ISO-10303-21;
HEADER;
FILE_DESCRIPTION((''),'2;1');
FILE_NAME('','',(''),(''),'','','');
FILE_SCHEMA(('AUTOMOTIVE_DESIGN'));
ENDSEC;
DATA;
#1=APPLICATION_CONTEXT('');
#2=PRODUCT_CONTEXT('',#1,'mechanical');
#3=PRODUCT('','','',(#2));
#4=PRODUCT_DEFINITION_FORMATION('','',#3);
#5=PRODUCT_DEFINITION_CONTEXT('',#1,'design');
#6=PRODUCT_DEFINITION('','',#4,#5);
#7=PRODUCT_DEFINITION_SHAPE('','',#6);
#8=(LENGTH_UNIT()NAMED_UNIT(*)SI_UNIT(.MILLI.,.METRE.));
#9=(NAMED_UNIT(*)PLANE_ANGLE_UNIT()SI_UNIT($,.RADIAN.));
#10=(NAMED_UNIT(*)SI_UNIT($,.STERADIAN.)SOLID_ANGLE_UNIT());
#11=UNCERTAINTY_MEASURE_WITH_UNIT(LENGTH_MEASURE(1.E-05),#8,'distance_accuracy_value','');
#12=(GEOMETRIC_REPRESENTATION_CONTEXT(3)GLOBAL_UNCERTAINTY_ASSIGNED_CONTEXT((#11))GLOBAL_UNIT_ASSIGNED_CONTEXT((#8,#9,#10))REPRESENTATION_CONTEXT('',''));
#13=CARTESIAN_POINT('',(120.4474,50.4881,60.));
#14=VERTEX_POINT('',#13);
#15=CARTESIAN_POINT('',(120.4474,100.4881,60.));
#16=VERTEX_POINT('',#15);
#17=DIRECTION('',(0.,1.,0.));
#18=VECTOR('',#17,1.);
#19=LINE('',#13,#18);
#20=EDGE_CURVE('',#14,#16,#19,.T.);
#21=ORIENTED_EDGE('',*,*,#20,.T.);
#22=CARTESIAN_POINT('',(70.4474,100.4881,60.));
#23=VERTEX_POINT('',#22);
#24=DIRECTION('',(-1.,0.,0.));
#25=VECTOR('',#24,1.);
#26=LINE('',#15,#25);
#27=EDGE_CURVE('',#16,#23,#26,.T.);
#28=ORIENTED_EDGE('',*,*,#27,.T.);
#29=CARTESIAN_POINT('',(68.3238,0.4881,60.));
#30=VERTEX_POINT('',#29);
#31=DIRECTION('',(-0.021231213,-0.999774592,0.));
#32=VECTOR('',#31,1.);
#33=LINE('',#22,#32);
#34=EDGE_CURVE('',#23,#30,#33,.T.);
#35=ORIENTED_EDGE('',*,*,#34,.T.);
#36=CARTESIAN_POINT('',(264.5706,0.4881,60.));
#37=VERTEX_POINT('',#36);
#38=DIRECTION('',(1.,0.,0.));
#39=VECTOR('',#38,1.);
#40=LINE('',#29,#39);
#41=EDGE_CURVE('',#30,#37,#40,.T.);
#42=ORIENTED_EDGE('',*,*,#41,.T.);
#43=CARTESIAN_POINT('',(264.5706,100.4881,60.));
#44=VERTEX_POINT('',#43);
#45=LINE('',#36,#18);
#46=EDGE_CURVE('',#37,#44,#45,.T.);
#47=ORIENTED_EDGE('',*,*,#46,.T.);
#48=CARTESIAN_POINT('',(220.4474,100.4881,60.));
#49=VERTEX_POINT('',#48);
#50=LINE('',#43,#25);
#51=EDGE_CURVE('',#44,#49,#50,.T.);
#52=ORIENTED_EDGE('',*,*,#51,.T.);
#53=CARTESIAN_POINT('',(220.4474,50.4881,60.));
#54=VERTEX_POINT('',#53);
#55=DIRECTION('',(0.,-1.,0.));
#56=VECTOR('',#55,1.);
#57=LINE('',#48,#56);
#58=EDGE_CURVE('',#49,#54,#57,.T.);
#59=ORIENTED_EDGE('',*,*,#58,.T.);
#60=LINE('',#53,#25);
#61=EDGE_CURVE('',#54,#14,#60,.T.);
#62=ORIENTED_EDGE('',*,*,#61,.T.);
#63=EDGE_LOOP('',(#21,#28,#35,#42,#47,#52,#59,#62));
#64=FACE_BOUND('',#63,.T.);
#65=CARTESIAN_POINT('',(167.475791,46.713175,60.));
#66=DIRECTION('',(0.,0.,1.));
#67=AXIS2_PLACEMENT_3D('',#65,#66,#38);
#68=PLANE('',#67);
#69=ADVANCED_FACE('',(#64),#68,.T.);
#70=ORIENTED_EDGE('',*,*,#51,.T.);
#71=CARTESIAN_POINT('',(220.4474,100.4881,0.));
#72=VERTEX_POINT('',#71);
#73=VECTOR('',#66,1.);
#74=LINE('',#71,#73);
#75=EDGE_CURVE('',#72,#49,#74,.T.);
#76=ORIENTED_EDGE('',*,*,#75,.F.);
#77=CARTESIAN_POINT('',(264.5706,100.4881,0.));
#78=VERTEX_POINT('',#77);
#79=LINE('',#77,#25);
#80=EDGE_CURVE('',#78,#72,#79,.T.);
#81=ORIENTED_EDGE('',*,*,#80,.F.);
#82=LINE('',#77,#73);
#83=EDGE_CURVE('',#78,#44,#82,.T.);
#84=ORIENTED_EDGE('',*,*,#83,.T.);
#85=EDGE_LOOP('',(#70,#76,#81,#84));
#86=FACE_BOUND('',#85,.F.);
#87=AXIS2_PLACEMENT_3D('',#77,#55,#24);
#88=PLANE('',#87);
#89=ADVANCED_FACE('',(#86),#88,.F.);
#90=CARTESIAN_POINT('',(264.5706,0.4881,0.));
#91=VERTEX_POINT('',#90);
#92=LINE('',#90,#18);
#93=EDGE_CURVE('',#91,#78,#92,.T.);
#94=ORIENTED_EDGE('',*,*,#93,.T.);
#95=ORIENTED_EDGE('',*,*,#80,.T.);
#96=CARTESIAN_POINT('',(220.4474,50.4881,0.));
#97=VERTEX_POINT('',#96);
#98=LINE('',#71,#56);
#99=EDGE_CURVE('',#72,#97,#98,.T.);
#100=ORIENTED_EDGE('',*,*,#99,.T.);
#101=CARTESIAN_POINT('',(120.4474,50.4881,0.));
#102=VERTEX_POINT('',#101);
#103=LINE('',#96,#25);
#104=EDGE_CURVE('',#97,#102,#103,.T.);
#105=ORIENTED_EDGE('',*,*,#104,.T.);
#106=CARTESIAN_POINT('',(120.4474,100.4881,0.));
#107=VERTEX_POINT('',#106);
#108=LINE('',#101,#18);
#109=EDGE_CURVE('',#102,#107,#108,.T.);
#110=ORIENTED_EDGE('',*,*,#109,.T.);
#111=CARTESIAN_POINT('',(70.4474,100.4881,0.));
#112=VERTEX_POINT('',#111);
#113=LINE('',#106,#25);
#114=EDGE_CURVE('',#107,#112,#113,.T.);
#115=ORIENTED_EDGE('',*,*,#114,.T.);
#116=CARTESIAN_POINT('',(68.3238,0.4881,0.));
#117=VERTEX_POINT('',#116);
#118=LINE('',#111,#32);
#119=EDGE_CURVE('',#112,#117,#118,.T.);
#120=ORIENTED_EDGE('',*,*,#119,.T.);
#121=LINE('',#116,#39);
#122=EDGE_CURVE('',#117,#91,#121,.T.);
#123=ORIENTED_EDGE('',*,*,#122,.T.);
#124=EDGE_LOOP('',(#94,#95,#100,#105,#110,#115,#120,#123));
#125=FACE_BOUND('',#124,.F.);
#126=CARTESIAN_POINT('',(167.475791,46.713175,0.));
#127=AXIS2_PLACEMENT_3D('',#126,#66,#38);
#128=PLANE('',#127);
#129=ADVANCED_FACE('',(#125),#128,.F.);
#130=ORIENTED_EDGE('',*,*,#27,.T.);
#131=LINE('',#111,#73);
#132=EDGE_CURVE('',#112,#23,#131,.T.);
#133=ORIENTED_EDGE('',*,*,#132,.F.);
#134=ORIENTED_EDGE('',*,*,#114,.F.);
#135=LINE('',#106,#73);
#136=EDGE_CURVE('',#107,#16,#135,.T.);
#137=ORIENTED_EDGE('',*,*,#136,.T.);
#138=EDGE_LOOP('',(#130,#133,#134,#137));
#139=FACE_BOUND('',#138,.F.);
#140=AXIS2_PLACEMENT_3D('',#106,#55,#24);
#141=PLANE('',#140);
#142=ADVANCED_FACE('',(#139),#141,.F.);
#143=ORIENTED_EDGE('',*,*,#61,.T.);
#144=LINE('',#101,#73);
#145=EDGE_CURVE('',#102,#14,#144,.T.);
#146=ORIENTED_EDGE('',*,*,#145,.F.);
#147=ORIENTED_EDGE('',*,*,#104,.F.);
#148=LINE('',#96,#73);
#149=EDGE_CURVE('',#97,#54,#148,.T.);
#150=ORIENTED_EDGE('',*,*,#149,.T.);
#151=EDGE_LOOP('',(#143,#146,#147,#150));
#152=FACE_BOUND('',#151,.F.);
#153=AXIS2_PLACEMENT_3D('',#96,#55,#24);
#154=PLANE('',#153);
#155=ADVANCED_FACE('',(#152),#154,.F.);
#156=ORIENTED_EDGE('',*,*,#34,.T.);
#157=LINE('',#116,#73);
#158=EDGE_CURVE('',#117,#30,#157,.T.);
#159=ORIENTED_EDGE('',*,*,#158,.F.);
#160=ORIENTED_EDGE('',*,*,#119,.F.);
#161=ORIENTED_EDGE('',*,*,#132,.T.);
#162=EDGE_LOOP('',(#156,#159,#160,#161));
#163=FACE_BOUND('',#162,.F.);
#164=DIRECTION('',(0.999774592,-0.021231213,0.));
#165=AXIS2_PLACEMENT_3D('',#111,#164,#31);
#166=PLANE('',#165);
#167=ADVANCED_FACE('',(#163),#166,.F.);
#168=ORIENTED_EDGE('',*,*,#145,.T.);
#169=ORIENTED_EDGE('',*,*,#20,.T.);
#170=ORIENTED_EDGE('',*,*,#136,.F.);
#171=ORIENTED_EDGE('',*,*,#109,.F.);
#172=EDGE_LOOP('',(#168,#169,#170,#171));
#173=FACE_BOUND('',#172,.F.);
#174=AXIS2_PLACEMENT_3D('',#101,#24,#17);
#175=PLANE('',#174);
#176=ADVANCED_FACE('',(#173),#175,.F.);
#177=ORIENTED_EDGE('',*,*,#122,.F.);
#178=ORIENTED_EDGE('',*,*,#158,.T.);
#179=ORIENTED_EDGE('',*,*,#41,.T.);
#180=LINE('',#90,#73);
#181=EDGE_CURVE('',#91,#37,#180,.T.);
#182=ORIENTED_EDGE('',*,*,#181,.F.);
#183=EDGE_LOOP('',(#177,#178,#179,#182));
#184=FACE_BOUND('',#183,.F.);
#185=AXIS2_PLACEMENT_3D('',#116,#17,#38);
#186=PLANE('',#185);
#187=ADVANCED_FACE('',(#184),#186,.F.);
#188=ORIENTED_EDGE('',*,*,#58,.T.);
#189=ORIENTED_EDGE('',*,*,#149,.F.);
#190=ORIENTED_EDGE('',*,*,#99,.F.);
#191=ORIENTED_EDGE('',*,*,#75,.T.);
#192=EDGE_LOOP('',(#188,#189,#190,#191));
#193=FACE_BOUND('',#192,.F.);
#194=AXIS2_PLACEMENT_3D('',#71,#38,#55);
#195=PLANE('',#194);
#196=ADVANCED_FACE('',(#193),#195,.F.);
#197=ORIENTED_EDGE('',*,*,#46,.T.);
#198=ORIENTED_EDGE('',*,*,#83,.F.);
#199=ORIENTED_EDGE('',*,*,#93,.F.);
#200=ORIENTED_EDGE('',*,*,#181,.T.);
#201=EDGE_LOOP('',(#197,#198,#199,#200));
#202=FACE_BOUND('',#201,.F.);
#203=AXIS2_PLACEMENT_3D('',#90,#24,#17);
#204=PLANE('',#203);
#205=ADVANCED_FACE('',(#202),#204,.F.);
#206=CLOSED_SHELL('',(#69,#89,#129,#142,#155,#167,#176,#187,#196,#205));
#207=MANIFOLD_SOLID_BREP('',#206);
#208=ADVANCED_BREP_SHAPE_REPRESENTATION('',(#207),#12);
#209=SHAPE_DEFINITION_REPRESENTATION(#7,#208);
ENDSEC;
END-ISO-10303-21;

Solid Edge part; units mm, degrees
sketch "Sketch1" plane through (0, 0, 0) normal (0, 0, 1) x (1, 0, 0)
  line L0 (68.3238, 0.4881) -> (264.5706, 0.4881)
  line L1 (264.5706, 0.4881) -> (264.5706, 100.4881)
  line L2 (264.5706, 100.4881) -> (220.4474, 100.4881)
  line L3 (220.4474, 100.4881) -> (220.4474, 50.4881)
  line L4 (220.4474, 50.4881) -> (120.4474, 50.4881)
  line L5 (120.4474, 50.4881) -> (120.4474, 100.4881)
  line L6 (120.4474, 100.4881) -> (70.4474, 100.4881)
  line L7 (70.4474, 100.4881) -> (68.3238, 0.4881)
extrude "Protrusion1" add sketch "Sketch1" along normal blind 60
